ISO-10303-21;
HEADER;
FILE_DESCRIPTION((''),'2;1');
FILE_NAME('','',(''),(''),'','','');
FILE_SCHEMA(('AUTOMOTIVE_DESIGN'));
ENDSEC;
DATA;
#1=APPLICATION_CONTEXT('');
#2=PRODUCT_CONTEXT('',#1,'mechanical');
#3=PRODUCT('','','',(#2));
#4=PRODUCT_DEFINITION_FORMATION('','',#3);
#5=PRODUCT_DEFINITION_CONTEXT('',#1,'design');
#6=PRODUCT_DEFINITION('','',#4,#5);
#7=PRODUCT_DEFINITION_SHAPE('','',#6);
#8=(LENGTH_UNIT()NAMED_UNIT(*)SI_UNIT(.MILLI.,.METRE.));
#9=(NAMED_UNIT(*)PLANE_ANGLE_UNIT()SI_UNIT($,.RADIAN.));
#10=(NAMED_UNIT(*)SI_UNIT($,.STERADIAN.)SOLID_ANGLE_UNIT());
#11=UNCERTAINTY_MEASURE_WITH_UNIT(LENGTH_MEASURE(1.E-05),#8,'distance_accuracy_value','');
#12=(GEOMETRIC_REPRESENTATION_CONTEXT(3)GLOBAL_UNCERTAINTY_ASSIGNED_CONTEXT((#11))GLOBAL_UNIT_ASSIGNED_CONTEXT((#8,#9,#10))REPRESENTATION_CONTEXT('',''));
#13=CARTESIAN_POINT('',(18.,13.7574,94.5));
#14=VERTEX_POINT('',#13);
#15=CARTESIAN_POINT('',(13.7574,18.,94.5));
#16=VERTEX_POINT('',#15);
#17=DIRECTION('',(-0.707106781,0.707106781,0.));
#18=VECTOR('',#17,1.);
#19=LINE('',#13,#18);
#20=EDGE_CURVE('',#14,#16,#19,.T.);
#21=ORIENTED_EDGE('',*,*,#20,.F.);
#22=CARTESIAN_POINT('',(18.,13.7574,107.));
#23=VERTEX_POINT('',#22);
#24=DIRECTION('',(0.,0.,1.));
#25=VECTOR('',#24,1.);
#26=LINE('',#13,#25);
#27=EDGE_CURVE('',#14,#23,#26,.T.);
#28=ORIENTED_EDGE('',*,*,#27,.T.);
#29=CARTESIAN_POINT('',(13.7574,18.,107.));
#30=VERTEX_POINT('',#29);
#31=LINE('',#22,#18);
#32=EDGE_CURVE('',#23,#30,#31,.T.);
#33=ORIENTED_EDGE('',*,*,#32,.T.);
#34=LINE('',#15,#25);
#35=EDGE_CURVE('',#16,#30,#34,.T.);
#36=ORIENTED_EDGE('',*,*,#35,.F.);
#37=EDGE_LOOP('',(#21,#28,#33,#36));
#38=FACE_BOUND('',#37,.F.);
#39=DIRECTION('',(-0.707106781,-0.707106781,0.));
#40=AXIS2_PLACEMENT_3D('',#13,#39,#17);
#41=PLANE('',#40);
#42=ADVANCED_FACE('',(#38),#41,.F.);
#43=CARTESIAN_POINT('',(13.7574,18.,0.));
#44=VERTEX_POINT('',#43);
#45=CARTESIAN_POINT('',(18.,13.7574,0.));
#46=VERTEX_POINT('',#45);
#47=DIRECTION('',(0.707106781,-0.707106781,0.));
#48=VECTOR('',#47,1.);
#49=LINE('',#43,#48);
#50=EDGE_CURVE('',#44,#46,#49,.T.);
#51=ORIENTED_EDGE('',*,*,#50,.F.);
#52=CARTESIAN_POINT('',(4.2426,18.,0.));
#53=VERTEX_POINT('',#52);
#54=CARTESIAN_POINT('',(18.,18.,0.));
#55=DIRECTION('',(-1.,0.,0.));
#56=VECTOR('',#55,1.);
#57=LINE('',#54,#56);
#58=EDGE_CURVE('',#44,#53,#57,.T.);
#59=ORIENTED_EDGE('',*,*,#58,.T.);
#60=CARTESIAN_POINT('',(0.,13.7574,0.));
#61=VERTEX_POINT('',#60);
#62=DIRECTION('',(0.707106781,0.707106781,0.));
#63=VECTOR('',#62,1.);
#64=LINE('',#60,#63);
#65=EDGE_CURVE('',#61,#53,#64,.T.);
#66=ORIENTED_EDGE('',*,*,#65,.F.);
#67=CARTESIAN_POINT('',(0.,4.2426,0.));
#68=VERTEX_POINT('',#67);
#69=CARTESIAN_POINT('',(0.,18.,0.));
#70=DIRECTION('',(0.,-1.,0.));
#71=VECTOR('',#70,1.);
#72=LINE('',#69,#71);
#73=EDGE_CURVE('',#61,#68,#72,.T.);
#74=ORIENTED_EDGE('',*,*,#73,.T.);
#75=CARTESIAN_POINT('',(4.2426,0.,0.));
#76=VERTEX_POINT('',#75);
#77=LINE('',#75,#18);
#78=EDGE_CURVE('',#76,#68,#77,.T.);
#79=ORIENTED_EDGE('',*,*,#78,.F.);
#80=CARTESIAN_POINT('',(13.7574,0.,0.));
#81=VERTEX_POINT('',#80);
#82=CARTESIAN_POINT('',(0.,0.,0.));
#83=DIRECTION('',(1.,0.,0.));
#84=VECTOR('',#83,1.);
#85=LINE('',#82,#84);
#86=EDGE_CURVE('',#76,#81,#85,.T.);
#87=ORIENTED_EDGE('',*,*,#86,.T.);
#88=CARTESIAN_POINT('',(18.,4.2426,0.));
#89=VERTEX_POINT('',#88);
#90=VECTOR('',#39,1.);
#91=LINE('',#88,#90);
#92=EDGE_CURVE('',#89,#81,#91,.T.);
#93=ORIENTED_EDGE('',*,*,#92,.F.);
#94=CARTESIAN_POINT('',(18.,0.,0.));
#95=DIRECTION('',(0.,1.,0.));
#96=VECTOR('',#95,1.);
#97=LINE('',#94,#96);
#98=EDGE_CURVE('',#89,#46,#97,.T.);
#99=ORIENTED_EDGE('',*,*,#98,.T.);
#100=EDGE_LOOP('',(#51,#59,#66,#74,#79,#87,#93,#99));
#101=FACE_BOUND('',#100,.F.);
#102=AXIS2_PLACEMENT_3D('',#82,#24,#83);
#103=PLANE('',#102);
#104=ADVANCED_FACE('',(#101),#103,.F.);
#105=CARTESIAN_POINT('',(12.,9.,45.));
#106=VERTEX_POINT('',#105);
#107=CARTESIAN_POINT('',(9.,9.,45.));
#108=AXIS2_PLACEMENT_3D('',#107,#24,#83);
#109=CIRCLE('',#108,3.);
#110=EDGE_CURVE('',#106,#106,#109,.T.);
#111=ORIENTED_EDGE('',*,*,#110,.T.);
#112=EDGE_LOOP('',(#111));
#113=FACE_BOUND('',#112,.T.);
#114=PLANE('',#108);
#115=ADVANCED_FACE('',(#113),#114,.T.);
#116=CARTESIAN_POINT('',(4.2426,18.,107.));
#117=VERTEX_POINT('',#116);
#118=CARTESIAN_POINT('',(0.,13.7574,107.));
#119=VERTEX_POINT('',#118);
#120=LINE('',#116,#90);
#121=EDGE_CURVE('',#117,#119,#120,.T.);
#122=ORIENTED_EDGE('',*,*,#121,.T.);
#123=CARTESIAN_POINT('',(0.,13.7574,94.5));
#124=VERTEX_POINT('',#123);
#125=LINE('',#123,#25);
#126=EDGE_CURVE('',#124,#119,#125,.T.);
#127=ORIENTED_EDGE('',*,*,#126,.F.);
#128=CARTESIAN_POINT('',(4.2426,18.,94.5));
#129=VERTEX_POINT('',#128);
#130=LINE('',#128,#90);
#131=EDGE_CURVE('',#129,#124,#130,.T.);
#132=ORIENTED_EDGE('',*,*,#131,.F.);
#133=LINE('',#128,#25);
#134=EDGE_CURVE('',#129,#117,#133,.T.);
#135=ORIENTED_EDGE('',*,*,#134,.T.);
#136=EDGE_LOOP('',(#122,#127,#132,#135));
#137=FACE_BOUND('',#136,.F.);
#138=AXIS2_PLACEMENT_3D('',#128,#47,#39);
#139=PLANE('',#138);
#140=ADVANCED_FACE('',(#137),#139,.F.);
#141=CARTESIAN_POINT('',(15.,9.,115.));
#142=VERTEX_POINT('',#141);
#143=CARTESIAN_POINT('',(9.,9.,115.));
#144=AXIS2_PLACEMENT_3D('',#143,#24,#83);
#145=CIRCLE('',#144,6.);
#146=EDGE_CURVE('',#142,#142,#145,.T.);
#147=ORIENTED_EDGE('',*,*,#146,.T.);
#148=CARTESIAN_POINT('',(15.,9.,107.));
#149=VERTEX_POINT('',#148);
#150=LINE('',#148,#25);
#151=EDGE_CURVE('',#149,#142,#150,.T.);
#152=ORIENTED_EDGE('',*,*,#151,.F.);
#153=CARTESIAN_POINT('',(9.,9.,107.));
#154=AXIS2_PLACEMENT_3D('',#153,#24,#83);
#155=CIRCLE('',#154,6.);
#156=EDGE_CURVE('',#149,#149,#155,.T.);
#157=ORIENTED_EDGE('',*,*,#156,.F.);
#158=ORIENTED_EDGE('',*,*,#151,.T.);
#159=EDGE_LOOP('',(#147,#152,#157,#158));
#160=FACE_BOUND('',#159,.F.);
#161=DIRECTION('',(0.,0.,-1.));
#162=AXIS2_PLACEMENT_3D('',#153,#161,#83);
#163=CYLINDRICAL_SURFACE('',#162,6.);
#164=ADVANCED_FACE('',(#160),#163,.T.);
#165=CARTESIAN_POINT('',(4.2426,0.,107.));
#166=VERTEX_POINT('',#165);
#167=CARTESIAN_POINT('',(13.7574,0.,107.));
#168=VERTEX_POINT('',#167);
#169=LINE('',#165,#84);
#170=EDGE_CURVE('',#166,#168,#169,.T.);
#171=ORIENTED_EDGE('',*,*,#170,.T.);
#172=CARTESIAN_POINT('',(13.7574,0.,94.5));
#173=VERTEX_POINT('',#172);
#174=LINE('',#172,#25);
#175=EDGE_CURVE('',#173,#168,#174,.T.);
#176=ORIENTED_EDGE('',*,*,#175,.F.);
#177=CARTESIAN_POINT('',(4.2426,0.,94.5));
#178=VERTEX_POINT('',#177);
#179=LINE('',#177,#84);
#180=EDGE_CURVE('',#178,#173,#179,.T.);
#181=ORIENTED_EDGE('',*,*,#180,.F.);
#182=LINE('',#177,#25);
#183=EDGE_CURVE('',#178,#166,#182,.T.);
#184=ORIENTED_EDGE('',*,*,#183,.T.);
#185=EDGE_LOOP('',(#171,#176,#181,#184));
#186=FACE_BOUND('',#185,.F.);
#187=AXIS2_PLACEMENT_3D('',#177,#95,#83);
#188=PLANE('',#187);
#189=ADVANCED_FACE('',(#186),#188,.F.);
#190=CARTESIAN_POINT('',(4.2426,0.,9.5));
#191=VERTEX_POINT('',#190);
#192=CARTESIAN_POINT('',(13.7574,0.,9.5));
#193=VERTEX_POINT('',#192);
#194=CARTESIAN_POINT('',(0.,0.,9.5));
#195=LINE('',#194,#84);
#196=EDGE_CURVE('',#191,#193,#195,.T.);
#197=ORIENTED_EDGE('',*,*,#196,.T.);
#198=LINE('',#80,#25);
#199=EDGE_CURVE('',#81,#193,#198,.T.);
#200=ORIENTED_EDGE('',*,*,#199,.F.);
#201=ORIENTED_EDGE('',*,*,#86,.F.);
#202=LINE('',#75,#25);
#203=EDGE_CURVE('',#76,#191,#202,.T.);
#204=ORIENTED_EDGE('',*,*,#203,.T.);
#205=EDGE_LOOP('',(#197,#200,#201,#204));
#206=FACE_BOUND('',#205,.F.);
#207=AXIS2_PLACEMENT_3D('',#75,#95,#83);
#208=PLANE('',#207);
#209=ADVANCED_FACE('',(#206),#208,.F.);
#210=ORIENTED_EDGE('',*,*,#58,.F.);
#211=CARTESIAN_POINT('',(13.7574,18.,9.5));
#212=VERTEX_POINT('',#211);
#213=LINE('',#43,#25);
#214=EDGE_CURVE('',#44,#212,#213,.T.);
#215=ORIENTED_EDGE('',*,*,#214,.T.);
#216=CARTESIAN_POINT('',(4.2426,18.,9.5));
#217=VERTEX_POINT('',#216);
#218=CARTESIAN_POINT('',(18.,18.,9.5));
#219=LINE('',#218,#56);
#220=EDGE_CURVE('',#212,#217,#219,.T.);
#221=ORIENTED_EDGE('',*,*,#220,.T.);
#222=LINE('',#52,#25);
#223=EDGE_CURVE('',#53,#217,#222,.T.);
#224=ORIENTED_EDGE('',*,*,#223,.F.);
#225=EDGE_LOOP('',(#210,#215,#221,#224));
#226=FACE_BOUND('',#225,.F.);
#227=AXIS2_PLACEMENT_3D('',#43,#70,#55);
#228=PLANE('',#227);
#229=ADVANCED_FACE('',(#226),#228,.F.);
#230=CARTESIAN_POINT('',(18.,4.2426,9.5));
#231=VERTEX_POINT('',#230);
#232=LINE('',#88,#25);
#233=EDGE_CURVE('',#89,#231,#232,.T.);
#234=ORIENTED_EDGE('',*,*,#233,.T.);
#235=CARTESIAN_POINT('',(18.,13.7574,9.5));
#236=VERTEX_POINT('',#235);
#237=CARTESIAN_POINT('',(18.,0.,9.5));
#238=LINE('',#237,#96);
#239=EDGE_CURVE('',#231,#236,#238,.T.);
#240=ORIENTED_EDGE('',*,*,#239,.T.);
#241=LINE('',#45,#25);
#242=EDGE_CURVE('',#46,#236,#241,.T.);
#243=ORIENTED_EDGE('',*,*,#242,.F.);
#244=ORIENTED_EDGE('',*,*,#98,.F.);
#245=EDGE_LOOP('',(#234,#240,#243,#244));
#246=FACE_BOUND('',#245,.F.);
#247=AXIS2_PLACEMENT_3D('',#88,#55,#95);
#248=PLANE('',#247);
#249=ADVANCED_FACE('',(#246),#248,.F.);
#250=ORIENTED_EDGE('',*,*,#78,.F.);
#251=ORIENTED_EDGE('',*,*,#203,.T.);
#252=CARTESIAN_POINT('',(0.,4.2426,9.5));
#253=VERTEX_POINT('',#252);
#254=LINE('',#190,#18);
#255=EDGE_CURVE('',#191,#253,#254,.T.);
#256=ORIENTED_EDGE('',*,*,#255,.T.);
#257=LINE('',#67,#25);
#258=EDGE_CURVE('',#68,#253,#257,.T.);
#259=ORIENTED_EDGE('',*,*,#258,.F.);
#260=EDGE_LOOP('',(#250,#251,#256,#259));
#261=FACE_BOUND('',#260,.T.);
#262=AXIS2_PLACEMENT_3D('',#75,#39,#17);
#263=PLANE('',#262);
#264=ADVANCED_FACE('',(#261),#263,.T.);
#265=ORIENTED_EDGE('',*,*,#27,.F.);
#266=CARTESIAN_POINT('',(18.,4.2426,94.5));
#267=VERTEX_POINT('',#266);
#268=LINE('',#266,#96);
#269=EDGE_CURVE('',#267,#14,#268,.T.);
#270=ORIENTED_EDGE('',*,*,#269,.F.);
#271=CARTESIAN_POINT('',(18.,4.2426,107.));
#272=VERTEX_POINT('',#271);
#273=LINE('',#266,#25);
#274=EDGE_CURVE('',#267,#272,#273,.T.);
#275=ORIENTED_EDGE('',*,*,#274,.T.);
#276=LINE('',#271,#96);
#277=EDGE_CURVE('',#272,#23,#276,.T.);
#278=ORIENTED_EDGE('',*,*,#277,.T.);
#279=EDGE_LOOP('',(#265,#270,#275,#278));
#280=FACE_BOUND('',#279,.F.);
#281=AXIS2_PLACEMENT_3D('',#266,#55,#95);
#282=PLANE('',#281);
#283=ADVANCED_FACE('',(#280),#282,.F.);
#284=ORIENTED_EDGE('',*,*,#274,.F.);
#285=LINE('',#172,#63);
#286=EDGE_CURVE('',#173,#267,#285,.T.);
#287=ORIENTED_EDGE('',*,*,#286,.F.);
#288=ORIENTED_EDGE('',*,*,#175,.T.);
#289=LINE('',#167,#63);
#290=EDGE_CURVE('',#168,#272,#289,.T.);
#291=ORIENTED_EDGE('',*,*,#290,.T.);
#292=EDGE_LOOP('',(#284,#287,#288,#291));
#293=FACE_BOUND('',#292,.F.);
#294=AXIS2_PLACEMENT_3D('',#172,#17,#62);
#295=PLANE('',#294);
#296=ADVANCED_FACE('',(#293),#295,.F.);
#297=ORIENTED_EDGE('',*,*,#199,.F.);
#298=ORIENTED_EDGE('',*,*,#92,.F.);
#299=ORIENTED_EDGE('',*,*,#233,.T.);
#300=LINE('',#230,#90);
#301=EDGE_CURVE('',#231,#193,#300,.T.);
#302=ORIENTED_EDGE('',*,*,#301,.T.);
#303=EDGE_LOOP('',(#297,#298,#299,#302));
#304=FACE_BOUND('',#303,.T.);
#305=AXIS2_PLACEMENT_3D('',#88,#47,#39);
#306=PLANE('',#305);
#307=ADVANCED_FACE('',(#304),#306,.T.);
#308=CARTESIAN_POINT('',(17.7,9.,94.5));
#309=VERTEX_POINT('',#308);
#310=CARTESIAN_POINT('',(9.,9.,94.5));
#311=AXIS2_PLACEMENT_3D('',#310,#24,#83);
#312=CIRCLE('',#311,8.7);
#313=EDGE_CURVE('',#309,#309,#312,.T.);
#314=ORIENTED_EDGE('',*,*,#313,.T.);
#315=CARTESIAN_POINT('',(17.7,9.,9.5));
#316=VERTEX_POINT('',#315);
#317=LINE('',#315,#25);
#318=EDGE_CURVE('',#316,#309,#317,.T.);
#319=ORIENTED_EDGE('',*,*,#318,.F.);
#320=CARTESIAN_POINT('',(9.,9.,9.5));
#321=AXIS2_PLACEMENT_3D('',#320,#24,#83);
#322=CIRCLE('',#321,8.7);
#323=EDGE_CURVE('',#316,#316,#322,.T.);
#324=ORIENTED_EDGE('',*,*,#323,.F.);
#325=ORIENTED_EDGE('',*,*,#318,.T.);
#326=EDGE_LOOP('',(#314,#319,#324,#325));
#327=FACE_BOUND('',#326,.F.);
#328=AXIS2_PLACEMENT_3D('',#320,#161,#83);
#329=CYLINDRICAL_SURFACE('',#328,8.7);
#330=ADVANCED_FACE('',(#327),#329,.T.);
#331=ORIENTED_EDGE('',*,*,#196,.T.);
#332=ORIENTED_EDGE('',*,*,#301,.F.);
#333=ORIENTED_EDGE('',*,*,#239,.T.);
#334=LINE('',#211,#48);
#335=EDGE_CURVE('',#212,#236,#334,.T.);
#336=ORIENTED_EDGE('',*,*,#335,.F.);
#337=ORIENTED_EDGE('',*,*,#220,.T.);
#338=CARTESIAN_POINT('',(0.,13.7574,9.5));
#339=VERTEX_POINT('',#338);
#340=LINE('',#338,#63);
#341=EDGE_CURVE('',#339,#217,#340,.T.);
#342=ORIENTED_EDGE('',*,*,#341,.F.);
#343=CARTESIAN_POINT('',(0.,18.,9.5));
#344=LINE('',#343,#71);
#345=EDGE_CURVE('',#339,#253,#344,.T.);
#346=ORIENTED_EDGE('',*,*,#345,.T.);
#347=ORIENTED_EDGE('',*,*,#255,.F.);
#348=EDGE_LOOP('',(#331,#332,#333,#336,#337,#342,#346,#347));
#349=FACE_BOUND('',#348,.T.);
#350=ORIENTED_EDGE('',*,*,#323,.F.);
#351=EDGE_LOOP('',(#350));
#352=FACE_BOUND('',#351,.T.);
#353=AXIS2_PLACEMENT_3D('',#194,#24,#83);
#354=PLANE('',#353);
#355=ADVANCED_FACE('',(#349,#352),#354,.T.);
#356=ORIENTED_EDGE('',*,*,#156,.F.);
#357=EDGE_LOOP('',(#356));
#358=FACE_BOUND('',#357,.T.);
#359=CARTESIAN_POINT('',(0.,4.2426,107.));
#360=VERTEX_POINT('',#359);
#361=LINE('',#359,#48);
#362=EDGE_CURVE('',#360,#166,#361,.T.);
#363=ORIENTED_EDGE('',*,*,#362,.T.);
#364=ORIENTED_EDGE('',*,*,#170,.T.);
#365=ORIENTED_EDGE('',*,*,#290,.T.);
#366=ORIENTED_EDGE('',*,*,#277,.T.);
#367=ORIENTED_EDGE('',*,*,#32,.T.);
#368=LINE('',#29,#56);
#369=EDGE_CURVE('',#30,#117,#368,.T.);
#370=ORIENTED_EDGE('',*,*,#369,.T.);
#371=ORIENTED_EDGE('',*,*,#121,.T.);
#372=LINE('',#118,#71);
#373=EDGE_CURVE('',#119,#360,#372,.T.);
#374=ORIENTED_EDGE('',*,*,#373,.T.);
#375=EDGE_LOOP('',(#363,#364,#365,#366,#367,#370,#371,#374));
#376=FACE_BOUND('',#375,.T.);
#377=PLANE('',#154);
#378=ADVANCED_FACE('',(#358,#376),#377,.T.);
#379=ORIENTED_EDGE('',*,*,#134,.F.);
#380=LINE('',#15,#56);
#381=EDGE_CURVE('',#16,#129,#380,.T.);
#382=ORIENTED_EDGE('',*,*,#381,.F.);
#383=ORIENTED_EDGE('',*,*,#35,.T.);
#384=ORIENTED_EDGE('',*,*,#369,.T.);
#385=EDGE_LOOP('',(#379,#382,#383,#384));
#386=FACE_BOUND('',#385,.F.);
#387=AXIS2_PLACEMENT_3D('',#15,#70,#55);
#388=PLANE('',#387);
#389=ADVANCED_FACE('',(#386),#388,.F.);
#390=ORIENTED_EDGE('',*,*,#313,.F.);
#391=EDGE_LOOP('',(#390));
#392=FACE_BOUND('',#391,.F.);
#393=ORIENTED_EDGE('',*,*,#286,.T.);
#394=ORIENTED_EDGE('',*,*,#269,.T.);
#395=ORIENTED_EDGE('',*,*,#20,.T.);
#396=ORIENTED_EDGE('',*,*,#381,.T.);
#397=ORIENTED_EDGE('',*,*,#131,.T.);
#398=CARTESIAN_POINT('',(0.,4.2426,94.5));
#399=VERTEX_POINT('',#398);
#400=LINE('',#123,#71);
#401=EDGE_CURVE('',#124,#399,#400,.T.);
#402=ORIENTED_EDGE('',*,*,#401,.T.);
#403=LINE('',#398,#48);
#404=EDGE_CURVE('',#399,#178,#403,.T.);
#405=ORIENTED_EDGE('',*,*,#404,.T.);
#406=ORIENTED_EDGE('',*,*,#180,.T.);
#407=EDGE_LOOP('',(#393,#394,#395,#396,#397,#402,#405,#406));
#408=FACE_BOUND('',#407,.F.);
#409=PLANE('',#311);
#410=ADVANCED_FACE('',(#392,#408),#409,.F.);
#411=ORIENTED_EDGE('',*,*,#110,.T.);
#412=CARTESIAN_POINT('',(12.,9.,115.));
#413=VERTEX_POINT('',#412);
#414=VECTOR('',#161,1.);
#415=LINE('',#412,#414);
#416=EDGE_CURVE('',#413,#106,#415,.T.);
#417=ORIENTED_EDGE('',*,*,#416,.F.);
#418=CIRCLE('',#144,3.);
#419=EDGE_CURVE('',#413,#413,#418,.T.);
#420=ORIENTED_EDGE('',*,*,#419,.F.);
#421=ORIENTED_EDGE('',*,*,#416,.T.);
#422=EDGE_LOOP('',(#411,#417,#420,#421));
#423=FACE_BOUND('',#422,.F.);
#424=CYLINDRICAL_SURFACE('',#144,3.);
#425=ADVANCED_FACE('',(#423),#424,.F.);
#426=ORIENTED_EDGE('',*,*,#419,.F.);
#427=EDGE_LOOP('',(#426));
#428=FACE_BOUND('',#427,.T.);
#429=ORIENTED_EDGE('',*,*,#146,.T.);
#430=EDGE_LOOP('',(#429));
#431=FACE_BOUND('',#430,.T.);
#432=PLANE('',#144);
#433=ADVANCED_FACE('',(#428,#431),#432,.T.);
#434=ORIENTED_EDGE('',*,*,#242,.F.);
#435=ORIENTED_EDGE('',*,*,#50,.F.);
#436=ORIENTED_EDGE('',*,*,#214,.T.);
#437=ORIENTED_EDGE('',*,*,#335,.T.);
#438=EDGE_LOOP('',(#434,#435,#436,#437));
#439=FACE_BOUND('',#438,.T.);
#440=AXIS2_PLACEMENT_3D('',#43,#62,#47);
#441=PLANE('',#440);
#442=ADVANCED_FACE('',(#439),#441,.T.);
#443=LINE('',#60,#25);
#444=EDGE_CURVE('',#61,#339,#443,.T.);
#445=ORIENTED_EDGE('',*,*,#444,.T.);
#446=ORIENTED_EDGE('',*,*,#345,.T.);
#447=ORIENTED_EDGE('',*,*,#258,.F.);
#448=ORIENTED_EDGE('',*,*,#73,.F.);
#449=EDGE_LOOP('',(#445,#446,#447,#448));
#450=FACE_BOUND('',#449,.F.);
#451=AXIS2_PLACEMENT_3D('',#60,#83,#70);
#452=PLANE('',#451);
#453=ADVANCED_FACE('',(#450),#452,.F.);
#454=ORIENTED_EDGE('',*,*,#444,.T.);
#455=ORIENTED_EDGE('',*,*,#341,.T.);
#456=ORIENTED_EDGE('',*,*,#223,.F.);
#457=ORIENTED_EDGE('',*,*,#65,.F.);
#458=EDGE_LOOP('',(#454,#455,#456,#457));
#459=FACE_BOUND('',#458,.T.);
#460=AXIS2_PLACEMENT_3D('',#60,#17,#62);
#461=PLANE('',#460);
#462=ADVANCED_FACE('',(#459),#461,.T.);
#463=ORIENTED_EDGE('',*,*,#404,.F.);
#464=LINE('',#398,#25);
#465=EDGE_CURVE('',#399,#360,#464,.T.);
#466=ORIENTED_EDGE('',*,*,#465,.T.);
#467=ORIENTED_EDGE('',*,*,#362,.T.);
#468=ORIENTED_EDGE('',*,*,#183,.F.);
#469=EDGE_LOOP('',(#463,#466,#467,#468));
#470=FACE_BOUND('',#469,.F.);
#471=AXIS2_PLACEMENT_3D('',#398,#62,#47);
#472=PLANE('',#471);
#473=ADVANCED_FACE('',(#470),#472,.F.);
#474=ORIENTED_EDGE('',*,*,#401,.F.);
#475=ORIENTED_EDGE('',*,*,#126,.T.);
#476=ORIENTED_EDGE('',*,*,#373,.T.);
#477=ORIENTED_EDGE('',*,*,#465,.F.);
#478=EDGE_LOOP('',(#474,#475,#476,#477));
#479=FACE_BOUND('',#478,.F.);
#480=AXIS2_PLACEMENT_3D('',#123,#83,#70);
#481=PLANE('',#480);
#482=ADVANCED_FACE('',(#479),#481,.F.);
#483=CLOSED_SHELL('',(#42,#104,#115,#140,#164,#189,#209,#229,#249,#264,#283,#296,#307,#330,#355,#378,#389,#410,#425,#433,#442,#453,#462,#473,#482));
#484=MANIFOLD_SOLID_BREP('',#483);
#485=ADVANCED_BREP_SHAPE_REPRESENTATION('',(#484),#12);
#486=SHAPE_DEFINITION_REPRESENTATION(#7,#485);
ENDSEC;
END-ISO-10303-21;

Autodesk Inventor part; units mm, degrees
ref_plane "YZ Plane" through (0, 0, 0) normal (1, 0, 0) x (0, 1, 0)
ref_plane "XZ Plane" through (0, 0, 0) normal (0, 1, 0) x (-1, 0, 0)
ref_plane "XY Plane" through (0, 0, 0) normal (0, 0, 1) x (1, 0, 0)
sketch "スケッチ1" plane through (0, 0, 0) normal (0, 0, 1) x (1, 0, 0)
  line L0 (0, 0) -> (18, 0)
  line L1 (18, 0) -> (18, 18)
  line L2 (18, 18) -> (0, 18)
  line L3 (0, 18) -> (0, 0)
  line L4 (0, 13.7574) -> (4.2426, 18)
  line L5 (0, 13.7574) -> (6, 13.7574) construction
  line L6 (4.2426, 0) -> (0, 4.2426)
  line L7 (18, 4.2426) -> (13.7574, 0)
  line L8 (13.7574, 18) -> (18, 13.7574)
  point P0 (0, 9)
  point P1 (9, 18)
  point P2 (9, 9)
  dimension "d0" = 18
  dimension "d1" = 18
  dimension "d2" = 45
  dimension "d3" = 3
  dimension "d13" = 9
  dimension "d14" = 9
  dimension "d17" = 360
extrude "押し出し1" add sketch "スケッチ1" along normal blind 9.5 contours L6 L3 L4 L2 L8 L1 L7 L0
sketch "スケッチ2" plane through (0, 0, 9.5) normal (0, 0, 1) x (1, 0, 0)
  line L0 (0, 0) -> (13.7574, 0) projected
  line L1 (0, 13.7574) -> (0, 0) projected
  circle A0 centre (9, 9) radius 8.7
  point P0 (9, 0)
  point P1 (5.6569, 0)
  point P2 (12.3431, 0)
  point P3 (0, 9.7071)
  point P4 (0, 5.6569)
  point P5 (18, 0)
  point P6 (0, 18)
  dimension "d10" = 17.4
extrude "押し出し2" add sketch "スケッチ2" along normal blind 85
sketch "スケッチ3" plane through (9, 9, 94.5) normal (0, 0, 1) x (1, 0, 0)
  circle A0 centre (0, 0) radius 8.7 projected
  line L0 (4.7574, 9) -> (-4.7574, 9) projected
  line L1 (-4.7574, 9) -> (-9, 4.7574) projected
  line L2 (-9, 4.7574) -> (-9, -4.7574) projected
  line L3 (-9, -4.7574) -> (-4.7574, -9) projected
  line L4 (-4.7574, -9) -> (4.7574, -9) projected
  line L5 (4.7574, -9) -> (9, -4.7574) projected
  line L6 (9, -4.7574) -> (9, 4.7574) projected
  line L7 (9, 4.7574) -> (4.7574, 9) projected
  point P0 (-9, -9)
extrude "押し出し3" add sketch "スケッチ3" along normal blind 12.5 contours A0 | L7 L6 L5 L4 L3 L2 L1 L0
sketch "スケッチ4" plane through (9, 9, 107) normal (0, 0, 1) x (1, 0, 0)
  circle A0 centre (0, 0) radius 8.7 projected
  circle A1 centre (0, 0) radius 6
  point P0 (-9, -9)
  dimension "d21" = 12
extrude "押し出し4" add sketch "スケッチ4" along normal blind 8 contours A1
sketch "スケッチ5" plane through (9, 9, 115) normal (0, 0, 1) x (1, 0, 0)
  circle A0 centre (0, 0) radius 6 projected
  circle A1 centre (0, 0) radius 3
  point P0 (-9, -9)
  dimension "d24" = 6
extrude "押し出し5" cut sketch "スケッチ5" against normal blind 70 contours A1
equation "\"d13\" = 0.5 * d1"
properties part number "airclinder_60" material "アルミニウム 6061-AHC"
